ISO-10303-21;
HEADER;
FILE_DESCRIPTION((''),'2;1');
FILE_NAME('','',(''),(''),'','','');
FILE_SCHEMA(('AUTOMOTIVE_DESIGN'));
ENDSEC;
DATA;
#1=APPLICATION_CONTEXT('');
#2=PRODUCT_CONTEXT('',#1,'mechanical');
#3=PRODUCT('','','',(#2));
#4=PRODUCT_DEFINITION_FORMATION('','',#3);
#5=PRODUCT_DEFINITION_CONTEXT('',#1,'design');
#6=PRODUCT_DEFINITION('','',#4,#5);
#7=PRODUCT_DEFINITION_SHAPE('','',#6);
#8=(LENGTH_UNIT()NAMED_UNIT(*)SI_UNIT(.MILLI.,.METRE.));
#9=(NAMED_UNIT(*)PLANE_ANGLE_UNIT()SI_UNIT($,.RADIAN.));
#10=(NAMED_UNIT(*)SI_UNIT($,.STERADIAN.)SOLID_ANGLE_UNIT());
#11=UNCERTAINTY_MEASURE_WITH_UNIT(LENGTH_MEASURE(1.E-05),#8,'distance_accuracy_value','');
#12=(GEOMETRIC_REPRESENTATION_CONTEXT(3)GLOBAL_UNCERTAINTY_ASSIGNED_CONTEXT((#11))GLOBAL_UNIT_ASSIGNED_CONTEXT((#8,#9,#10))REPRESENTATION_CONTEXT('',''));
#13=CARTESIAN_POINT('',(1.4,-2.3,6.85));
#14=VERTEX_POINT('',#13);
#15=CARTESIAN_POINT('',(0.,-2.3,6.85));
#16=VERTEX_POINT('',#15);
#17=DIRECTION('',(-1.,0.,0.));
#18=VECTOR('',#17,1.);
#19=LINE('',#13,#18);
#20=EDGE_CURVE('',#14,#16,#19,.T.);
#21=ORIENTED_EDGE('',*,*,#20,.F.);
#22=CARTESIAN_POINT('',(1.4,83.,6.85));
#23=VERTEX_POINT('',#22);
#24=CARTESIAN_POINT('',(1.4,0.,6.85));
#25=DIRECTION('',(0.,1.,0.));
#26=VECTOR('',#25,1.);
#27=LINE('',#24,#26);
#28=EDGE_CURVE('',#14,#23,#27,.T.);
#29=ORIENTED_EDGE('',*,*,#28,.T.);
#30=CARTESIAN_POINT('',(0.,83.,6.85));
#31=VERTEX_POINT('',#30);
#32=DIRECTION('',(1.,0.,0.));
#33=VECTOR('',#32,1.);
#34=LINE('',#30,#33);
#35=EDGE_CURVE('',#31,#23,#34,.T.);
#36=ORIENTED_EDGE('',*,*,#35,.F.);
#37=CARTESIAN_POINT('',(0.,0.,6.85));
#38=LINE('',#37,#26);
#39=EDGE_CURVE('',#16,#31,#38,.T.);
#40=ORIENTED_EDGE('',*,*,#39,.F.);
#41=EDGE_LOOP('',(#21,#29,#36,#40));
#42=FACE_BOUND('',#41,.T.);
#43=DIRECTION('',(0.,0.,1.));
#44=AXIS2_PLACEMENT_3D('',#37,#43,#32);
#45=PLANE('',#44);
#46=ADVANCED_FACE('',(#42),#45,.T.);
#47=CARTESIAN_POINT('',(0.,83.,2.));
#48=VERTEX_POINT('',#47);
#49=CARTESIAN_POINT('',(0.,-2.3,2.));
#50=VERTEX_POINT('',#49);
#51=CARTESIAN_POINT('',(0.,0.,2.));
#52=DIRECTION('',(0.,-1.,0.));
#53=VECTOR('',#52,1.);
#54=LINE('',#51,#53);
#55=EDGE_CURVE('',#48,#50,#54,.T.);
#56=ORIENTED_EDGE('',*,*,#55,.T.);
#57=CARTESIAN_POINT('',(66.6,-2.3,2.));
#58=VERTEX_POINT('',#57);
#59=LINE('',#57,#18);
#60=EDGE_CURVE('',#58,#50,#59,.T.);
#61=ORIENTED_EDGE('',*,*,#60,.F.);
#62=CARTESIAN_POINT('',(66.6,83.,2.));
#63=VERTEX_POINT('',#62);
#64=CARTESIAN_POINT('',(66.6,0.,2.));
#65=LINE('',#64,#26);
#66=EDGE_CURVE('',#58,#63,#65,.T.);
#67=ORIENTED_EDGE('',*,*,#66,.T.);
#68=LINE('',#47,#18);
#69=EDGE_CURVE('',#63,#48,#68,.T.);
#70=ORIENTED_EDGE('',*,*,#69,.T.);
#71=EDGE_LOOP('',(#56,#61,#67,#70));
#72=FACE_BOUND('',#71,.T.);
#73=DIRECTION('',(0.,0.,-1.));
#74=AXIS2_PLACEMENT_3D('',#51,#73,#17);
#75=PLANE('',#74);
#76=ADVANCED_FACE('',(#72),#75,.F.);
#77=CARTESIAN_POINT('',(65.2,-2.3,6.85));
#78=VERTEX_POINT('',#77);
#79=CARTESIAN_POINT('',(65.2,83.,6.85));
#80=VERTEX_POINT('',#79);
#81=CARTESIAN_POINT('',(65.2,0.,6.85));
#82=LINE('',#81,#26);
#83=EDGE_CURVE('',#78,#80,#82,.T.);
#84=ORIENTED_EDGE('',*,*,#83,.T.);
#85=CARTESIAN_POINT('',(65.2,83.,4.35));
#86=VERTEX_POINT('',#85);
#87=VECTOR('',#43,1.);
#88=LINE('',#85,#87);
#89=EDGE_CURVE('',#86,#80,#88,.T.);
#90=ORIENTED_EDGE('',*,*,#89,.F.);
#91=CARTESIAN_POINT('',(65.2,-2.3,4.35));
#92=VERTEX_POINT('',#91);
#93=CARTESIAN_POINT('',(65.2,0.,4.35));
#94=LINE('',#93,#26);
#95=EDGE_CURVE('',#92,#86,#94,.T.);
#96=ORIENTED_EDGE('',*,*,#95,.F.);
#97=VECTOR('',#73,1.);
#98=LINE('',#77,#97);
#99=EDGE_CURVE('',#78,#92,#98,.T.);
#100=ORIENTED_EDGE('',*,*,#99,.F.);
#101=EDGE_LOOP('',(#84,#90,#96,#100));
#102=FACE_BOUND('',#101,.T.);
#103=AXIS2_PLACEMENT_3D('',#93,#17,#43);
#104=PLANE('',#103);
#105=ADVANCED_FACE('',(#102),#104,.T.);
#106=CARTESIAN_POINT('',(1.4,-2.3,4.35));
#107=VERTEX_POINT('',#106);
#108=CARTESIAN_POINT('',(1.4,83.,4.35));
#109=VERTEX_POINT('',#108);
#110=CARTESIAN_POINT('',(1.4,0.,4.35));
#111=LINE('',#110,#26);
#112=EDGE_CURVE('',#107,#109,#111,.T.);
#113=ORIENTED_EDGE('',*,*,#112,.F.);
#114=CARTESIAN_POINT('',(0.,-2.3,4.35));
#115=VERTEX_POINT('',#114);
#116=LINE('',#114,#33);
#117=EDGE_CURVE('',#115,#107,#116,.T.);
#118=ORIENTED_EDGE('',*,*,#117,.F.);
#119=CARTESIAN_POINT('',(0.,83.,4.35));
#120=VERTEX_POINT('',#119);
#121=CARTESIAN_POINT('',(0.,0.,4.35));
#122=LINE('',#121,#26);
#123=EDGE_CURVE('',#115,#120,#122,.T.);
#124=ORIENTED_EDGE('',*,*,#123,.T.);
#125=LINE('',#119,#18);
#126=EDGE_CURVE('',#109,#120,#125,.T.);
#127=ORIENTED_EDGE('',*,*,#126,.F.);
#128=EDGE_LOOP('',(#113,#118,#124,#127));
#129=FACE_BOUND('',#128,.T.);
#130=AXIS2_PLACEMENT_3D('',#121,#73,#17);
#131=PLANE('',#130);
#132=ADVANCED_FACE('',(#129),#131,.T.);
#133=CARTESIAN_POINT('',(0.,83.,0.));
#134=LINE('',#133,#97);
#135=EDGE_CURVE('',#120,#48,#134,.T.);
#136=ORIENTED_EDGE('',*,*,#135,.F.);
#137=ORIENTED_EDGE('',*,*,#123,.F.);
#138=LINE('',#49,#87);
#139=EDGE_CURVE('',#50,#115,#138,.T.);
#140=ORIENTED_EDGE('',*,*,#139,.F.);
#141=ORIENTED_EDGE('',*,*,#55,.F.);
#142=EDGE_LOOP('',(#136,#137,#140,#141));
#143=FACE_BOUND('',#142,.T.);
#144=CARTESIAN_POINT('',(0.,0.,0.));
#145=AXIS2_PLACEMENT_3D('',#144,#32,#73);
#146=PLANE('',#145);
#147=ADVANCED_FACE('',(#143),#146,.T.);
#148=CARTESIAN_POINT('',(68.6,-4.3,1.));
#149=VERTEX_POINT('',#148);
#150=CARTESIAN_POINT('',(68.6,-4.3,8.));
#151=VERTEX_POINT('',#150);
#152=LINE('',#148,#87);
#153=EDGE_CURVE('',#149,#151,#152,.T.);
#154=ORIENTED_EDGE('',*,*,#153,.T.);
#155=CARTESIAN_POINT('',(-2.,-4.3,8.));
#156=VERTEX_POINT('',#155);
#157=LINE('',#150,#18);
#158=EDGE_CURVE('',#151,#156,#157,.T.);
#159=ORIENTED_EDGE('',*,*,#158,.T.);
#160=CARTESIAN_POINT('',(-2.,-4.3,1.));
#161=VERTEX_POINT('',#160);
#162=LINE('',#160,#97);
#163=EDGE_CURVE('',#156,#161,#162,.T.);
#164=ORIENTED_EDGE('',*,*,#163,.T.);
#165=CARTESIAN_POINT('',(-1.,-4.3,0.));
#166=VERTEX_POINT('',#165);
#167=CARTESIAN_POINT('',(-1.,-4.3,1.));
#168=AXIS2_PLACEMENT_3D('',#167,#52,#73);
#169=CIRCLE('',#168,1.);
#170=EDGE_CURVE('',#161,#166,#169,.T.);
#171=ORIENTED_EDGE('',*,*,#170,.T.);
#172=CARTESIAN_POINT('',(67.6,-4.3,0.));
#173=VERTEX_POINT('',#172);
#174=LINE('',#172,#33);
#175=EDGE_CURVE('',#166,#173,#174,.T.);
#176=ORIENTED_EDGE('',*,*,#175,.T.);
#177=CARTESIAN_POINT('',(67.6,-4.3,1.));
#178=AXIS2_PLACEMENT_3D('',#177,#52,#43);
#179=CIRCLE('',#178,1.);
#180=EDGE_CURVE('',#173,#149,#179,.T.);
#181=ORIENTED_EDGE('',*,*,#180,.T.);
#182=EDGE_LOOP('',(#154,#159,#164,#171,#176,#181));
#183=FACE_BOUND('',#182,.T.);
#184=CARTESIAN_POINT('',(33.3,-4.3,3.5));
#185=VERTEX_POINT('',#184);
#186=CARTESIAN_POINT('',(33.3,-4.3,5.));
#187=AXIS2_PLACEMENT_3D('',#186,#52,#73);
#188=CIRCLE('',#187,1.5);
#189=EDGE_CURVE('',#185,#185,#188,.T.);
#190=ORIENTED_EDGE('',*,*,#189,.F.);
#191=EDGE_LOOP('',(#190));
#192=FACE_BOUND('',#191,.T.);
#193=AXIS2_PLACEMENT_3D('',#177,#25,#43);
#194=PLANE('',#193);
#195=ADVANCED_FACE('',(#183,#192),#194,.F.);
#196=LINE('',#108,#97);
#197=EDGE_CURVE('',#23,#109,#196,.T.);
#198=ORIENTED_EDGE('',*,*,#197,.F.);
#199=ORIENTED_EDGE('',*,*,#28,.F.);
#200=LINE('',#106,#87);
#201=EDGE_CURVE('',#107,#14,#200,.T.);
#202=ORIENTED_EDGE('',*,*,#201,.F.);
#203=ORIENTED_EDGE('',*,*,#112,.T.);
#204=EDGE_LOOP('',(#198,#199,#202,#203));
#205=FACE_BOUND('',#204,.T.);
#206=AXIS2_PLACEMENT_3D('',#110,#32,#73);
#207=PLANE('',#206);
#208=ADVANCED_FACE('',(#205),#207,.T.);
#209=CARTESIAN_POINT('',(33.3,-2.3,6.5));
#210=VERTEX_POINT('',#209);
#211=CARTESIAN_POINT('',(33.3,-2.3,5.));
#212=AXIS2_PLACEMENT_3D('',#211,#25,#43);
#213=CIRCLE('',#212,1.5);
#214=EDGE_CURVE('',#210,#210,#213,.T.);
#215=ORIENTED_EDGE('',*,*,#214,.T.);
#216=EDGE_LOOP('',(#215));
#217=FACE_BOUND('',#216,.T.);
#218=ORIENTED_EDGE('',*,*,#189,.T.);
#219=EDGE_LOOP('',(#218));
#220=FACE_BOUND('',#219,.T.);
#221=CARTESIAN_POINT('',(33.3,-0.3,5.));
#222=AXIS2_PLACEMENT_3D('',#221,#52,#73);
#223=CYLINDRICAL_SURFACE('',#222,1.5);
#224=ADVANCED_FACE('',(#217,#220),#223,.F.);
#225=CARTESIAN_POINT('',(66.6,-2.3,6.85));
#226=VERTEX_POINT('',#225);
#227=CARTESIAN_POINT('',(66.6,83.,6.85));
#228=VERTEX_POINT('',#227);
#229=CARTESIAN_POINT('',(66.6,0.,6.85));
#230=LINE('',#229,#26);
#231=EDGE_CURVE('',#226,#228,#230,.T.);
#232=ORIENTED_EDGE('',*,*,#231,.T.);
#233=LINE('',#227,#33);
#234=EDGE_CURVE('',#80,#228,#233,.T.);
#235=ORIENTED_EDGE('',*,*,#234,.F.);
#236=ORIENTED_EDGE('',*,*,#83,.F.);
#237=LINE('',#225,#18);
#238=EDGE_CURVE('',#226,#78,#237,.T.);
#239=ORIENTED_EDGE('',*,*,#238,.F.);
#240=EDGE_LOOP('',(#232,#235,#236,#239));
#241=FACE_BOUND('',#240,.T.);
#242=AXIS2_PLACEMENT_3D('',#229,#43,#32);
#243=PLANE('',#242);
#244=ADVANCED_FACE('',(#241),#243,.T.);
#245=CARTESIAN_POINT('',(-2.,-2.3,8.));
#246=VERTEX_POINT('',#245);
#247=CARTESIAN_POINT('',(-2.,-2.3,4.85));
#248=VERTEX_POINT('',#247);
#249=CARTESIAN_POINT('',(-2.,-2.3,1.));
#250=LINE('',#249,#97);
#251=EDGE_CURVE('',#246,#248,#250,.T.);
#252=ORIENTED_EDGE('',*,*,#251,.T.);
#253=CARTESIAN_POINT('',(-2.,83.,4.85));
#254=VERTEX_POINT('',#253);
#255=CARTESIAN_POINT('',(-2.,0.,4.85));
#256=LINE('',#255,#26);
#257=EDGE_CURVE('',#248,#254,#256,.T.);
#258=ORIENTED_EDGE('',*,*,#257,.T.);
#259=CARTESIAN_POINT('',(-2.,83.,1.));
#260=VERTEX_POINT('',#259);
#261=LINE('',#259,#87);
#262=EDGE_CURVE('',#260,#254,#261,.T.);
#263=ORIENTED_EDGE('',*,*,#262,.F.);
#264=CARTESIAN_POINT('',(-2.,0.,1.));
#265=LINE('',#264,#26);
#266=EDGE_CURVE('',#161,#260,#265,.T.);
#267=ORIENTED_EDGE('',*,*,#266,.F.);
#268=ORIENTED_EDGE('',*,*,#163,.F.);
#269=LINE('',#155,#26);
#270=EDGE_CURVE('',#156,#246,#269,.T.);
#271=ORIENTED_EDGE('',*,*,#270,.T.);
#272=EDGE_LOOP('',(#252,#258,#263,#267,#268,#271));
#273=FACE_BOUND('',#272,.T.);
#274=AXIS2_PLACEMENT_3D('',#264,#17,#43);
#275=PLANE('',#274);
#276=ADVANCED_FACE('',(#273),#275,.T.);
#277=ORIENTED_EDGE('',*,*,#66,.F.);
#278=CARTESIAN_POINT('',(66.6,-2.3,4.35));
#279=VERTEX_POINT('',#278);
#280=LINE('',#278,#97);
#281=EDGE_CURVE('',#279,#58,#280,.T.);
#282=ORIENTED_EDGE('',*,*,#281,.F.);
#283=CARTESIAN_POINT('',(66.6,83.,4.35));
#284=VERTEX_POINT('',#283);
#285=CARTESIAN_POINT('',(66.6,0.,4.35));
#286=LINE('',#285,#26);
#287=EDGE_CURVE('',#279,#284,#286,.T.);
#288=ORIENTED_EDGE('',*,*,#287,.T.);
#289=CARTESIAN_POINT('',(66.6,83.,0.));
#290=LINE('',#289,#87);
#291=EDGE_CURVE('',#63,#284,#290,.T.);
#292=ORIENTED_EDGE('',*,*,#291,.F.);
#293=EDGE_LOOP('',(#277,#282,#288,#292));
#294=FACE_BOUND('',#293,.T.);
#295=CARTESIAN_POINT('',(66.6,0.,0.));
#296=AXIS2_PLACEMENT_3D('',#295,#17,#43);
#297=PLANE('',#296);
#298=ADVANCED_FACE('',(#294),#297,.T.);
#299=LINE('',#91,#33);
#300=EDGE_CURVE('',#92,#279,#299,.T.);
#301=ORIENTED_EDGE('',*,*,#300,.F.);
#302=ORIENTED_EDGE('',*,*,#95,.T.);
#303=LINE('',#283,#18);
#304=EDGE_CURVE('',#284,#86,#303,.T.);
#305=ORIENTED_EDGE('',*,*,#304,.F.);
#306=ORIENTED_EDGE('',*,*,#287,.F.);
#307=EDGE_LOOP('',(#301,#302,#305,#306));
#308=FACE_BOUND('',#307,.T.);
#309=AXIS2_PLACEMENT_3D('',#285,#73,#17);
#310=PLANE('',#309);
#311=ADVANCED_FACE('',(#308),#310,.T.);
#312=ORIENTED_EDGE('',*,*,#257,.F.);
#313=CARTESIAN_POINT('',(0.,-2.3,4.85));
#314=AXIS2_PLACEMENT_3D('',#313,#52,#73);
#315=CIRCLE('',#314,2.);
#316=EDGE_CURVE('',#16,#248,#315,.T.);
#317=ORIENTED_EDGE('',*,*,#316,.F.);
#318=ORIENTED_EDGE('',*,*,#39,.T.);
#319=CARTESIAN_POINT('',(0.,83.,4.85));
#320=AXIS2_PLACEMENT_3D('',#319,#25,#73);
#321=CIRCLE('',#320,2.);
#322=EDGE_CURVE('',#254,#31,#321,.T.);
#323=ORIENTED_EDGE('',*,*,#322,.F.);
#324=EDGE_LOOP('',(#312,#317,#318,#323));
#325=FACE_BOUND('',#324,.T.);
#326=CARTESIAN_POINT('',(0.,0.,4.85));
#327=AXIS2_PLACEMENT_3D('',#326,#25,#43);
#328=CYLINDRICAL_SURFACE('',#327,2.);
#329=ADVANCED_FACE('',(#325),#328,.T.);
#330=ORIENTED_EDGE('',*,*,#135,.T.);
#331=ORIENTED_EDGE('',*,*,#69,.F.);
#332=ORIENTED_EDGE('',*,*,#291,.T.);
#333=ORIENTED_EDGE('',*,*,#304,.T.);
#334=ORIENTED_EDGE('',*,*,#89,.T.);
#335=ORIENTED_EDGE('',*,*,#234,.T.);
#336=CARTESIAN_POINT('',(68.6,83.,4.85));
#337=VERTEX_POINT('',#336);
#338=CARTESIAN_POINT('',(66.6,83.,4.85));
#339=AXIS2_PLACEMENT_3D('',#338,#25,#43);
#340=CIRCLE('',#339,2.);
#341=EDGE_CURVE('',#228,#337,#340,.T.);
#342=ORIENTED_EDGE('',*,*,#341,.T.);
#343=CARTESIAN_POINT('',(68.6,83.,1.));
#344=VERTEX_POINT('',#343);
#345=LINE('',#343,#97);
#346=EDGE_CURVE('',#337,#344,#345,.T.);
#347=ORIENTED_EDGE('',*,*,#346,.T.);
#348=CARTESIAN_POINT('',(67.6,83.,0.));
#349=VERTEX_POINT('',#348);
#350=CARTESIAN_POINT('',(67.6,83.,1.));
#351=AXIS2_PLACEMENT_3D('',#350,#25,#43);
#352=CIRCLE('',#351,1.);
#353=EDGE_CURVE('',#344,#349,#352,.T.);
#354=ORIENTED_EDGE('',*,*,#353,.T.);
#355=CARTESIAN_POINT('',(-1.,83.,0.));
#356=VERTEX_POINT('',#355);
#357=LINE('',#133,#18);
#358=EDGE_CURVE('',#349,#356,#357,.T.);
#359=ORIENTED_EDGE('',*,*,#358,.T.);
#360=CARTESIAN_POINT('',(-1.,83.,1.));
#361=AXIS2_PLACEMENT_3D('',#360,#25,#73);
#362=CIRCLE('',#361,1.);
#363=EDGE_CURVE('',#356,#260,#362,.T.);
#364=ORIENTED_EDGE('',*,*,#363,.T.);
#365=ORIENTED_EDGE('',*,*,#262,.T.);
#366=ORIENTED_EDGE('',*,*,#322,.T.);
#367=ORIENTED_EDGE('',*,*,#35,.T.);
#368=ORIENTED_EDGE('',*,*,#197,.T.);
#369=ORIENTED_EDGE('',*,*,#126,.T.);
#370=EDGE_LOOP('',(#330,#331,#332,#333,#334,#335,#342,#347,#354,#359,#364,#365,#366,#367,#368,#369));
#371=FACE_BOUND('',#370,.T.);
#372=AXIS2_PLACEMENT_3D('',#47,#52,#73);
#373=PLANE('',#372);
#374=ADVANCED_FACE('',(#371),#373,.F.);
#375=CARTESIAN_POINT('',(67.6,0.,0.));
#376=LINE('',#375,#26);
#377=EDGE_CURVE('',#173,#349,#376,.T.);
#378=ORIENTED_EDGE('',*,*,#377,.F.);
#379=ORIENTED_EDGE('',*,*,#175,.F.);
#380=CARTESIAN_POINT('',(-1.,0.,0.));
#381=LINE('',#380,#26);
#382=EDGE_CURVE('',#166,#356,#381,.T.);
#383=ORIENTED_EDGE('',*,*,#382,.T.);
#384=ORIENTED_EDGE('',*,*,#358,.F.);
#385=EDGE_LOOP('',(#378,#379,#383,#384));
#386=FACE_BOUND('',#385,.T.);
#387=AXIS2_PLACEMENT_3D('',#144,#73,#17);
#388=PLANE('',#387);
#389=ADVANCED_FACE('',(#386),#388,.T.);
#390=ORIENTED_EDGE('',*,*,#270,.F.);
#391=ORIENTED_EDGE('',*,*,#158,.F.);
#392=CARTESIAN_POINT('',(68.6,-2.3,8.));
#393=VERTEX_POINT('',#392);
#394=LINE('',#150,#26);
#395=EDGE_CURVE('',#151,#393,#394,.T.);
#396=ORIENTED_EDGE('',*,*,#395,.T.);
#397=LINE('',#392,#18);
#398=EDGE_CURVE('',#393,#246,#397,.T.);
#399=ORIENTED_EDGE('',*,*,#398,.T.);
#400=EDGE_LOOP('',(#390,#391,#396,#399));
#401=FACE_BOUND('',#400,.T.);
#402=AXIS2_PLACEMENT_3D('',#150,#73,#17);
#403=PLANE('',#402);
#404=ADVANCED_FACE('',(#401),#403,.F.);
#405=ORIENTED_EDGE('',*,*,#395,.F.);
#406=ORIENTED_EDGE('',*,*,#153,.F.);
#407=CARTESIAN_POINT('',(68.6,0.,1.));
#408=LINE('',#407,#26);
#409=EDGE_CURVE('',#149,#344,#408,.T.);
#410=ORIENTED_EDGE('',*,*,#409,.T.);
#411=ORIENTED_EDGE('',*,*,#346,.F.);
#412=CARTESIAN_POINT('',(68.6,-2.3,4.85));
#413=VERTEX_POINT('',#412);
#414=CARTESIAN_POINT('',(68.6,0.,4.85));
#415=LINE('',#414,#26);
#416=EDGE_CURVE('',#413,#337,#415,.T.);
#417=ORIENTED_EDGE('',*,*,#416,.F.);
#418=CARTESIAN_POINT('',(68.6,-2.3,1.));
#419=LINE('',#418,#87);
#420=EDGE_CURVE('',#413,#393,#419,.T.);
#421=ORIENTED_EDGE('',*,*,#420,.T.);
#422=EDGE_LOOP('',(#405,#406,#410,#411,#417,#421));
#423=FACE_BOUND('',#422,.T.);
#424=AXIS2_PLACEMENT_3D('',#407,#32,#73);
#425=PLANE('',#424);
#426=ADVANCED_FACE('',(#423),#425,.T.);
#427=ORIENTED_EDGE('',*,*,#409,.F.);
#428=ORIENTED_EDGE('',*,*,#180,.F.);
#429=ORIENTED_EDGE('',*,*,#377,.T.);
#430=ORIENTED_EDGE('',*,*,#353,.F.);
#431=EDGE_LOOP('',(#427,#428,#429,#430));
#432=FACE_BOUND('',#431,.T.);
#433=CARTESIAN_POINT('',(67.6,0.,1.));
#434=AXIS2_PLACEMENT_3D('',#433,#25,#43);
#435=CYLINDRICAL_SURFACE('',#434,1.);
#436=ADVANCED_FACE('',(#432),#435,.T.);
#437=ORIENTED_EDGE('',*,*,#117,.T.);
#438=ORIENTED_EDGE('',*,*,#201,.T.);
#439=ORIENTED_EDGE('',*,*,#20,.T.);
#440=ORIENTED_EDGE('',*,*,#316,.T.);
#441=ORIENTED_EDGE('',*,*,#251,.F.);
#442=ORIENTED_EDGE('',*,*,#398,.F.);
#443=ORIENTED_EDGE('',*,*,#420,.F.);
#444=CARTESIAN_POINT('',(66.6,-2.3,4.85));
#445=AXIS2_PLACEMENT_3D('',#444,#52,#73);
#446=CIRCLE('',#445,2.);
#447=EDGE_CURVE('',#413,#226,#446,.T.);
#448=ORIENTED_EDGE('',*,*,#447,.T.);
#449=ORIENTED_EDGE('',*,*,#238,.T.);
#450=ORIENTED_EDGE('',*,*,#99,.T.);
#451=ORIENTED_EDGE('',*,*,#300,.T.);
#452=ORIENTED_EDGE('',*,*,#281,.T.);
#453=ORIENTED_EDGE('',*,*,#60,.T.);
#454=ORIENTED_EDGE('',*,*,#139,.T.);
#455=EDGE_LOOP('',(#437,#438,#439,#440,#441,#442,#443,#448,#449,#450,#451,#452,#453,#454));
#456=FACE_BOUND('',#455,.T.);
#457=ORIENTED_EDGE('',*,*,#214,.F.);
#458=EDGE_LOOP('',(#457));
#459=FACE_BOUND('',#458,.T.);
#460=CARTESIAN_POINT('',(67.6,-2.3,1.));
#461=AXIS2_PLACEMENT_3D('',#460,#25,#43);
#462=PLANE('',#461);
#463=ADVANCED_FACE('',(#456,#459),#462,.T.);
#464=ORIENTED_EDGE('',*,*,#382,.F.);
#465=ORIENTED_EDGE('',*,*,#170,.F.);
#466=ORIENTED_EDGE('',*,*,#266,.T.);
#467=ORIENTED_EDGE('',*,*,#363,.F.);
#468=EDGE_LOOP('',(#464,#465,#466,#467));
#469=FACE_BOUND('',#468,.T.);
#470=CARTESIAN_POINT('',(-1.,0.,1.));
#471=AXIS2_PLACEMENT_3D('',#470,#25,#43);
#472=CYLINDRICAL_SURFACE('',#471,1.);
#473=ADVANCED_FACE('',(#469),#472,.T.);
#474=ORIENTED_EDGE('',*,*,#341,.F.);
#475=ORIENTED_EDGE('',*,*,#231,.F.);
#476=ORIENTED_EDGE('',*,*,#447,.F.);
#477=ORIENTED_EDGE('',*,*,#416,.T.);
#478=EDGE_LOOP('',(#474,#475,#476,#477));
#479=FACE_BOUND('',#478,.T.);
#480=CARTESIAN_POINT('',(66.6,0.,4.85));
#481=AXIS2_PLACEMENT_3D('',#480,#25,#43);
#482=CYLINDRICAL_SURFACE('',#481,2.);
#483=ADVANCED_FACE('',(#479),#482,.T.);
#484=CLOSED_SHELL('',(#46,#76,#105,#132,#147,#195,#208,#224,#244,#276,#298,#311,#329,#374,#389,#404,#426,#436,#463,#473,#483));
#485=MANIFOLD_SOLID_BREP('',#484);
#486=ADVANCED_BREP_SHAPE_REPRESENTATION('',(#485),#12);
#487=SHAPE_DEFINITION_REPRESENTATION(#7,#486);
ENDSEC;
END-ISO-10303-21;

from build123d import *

# Parameters (mm, degrees)
IZIM1_W                     = 66.6
IZIM1_H                     = 83
Y_KSEKLIK_EKSTR_ZYON1_DEPTH = 2
Y_KSEKLIK_EKSTR_ZYON2_DEPTH = 83
Y_KSEKLIK_EKSTR_ZYON3_DEPTH = 2.3
Y_KSEKLIK_EKSTR_ZYON4_DEPTH = 2
IZIM6_R                     = 1.5
KES_EKSTR_ZYON2_DEPTH       = 4


with BuildPart() as part:
    # Çizim1 → Yükseklik-Ekstrüzyon1 (new body)
    with BuildSketch(Plane.XY):
        with Locations((33.3, 41.5)):
            Rectangle(IZIM1_W, IZIM1_H)
    extrude(amount=Y_KSEKLIK_EKSTR_ZYON1_DEPTH)

    # Çizim2 → Yükseklik-Ekstrüzyon2 (add)
    with BuildSketch(Plane(origin=(0, 83, 0), x_dir=(1, 0, 0), z_dir=(0, 1, 0))):
        with BuildLine():
            Line((0, 0), (-1, 0))
            ThreePointArc((-1, 0), (-1.707106781, -0.292893219), (-2, -1))
            Line((-2, -1), (-2, -4.85))
            ThreePointArc((-2, -4.85), (-1.414213562, -6.264213562), (0, -6.85))
            Line((0, -6.85), (1.4, -6.85))
            Line((1.4, -6.85), (1.4, -4.35))
            Line((1.4, -4.35), (0, -4.35))
            Line((0, -4.35), (0, 0))
        make_face()
        with BuildLine():
            Line((65.2, -4.35), (65.2, -6.85))
            Line((65.2, -6.85), (66.6, -6.85))
            ThreePointArc((66.6, -6.85), (68.014213562, -6.264213562), (68.6, -4.85))
            Line((68.6, -4.85), (68.6, -1))
            ThreePointArc((68.6, -1), (68.307106781, -0.292893219), (67.6, 0))
            Line((67.6, 0), (66.6, 0))
            Line((66.6, 0), (66.6, -4.35))
            Line((66.6, -4.35), (65.2, -4.35))
        make_face()
    extrude(amount=-Y_KSEKLIK_EKSTR_ZYON2_DEPTH)

    # Çizim4 → Yükseklik-Ekstrüzyon3 (add)
    with BuildSketch(Plane.XZ):
        with BuildLine():
            Line((-1, 0), (67.6, 0))
            ThreePointArc((67.6, 0), (68.307106781, 0.292893219), (68.6, 1))
            Line((68.6, 1), (68.6, 4.85))
            ThreePointArc((68.6, 4.85), (68.014213562, 6.264213562), (66.6, 6.85))
            Line((66.6, 6.85), (65.2, 6.85))
            Line((65.2, 6.85), (65.2, 4.35))
            Line((65.2, 4.35), (66.6, 4.35))
            Line((66.6, 4.35), (66.6, 2))
            Line((66.6, 2), (0, 2))
            Line((0, 2), (0, 4.35))
            Line((0, 4.35), (1.4, 4.35))
            Line((1.4, 4.35), (1.4, 6.85))
            Line((1.4, 6.85), (0, 6.85))
            ThreePointArc((0, 6.85), (-1.414213562, 6.264213562), (-2, 4.85))
            Line((-2, 4.85), (-2, 1))
            ThreePointArc((-2, 1), (-1.707106781, 0.292893219), (-1, 0))
        make_face()
    extrude(amount=Y_KSEKLIK_EKSTR_ZYON3_DEPTH)

    # Çizim5 → Yükseklik-Ekstrüzyon4 (add)
    with BuildSketch(Plane.XZ.offset(2.3)):
        with BuildLine():
            Line((67.6, 0), (-1, 0))
            ThreePointArc((-1, 0), (-1.707106781, 0.292893219), (-2, 1))
            Line((-2, 1), (-2, 8))
            Line((-2, 8), (68.6, 8))
            Line((68.6, 8), (68.6, 1))
            ThreePointArc((68.6, 1), (68.307106781, 0.292893219), (67.6, 0))
        make_face()
    extrude(amount=Y_KSEKLIK_EKSTR_ZYON4_DEPTH)

    # Çizim6 → Kes-Ekstrüzyon2 (cut)
    with BuildSketch(Plane.XZ.offset(4.3)):
        with Locations(Location((33.3, 5, 0), (0, 0, 270))):
            Circle(IZIM6_R)
    extrude(amount=-KES_EKSTR_ZYON2_DEPTH, mode=Mode.SUBTRACT)


solid = part.part
